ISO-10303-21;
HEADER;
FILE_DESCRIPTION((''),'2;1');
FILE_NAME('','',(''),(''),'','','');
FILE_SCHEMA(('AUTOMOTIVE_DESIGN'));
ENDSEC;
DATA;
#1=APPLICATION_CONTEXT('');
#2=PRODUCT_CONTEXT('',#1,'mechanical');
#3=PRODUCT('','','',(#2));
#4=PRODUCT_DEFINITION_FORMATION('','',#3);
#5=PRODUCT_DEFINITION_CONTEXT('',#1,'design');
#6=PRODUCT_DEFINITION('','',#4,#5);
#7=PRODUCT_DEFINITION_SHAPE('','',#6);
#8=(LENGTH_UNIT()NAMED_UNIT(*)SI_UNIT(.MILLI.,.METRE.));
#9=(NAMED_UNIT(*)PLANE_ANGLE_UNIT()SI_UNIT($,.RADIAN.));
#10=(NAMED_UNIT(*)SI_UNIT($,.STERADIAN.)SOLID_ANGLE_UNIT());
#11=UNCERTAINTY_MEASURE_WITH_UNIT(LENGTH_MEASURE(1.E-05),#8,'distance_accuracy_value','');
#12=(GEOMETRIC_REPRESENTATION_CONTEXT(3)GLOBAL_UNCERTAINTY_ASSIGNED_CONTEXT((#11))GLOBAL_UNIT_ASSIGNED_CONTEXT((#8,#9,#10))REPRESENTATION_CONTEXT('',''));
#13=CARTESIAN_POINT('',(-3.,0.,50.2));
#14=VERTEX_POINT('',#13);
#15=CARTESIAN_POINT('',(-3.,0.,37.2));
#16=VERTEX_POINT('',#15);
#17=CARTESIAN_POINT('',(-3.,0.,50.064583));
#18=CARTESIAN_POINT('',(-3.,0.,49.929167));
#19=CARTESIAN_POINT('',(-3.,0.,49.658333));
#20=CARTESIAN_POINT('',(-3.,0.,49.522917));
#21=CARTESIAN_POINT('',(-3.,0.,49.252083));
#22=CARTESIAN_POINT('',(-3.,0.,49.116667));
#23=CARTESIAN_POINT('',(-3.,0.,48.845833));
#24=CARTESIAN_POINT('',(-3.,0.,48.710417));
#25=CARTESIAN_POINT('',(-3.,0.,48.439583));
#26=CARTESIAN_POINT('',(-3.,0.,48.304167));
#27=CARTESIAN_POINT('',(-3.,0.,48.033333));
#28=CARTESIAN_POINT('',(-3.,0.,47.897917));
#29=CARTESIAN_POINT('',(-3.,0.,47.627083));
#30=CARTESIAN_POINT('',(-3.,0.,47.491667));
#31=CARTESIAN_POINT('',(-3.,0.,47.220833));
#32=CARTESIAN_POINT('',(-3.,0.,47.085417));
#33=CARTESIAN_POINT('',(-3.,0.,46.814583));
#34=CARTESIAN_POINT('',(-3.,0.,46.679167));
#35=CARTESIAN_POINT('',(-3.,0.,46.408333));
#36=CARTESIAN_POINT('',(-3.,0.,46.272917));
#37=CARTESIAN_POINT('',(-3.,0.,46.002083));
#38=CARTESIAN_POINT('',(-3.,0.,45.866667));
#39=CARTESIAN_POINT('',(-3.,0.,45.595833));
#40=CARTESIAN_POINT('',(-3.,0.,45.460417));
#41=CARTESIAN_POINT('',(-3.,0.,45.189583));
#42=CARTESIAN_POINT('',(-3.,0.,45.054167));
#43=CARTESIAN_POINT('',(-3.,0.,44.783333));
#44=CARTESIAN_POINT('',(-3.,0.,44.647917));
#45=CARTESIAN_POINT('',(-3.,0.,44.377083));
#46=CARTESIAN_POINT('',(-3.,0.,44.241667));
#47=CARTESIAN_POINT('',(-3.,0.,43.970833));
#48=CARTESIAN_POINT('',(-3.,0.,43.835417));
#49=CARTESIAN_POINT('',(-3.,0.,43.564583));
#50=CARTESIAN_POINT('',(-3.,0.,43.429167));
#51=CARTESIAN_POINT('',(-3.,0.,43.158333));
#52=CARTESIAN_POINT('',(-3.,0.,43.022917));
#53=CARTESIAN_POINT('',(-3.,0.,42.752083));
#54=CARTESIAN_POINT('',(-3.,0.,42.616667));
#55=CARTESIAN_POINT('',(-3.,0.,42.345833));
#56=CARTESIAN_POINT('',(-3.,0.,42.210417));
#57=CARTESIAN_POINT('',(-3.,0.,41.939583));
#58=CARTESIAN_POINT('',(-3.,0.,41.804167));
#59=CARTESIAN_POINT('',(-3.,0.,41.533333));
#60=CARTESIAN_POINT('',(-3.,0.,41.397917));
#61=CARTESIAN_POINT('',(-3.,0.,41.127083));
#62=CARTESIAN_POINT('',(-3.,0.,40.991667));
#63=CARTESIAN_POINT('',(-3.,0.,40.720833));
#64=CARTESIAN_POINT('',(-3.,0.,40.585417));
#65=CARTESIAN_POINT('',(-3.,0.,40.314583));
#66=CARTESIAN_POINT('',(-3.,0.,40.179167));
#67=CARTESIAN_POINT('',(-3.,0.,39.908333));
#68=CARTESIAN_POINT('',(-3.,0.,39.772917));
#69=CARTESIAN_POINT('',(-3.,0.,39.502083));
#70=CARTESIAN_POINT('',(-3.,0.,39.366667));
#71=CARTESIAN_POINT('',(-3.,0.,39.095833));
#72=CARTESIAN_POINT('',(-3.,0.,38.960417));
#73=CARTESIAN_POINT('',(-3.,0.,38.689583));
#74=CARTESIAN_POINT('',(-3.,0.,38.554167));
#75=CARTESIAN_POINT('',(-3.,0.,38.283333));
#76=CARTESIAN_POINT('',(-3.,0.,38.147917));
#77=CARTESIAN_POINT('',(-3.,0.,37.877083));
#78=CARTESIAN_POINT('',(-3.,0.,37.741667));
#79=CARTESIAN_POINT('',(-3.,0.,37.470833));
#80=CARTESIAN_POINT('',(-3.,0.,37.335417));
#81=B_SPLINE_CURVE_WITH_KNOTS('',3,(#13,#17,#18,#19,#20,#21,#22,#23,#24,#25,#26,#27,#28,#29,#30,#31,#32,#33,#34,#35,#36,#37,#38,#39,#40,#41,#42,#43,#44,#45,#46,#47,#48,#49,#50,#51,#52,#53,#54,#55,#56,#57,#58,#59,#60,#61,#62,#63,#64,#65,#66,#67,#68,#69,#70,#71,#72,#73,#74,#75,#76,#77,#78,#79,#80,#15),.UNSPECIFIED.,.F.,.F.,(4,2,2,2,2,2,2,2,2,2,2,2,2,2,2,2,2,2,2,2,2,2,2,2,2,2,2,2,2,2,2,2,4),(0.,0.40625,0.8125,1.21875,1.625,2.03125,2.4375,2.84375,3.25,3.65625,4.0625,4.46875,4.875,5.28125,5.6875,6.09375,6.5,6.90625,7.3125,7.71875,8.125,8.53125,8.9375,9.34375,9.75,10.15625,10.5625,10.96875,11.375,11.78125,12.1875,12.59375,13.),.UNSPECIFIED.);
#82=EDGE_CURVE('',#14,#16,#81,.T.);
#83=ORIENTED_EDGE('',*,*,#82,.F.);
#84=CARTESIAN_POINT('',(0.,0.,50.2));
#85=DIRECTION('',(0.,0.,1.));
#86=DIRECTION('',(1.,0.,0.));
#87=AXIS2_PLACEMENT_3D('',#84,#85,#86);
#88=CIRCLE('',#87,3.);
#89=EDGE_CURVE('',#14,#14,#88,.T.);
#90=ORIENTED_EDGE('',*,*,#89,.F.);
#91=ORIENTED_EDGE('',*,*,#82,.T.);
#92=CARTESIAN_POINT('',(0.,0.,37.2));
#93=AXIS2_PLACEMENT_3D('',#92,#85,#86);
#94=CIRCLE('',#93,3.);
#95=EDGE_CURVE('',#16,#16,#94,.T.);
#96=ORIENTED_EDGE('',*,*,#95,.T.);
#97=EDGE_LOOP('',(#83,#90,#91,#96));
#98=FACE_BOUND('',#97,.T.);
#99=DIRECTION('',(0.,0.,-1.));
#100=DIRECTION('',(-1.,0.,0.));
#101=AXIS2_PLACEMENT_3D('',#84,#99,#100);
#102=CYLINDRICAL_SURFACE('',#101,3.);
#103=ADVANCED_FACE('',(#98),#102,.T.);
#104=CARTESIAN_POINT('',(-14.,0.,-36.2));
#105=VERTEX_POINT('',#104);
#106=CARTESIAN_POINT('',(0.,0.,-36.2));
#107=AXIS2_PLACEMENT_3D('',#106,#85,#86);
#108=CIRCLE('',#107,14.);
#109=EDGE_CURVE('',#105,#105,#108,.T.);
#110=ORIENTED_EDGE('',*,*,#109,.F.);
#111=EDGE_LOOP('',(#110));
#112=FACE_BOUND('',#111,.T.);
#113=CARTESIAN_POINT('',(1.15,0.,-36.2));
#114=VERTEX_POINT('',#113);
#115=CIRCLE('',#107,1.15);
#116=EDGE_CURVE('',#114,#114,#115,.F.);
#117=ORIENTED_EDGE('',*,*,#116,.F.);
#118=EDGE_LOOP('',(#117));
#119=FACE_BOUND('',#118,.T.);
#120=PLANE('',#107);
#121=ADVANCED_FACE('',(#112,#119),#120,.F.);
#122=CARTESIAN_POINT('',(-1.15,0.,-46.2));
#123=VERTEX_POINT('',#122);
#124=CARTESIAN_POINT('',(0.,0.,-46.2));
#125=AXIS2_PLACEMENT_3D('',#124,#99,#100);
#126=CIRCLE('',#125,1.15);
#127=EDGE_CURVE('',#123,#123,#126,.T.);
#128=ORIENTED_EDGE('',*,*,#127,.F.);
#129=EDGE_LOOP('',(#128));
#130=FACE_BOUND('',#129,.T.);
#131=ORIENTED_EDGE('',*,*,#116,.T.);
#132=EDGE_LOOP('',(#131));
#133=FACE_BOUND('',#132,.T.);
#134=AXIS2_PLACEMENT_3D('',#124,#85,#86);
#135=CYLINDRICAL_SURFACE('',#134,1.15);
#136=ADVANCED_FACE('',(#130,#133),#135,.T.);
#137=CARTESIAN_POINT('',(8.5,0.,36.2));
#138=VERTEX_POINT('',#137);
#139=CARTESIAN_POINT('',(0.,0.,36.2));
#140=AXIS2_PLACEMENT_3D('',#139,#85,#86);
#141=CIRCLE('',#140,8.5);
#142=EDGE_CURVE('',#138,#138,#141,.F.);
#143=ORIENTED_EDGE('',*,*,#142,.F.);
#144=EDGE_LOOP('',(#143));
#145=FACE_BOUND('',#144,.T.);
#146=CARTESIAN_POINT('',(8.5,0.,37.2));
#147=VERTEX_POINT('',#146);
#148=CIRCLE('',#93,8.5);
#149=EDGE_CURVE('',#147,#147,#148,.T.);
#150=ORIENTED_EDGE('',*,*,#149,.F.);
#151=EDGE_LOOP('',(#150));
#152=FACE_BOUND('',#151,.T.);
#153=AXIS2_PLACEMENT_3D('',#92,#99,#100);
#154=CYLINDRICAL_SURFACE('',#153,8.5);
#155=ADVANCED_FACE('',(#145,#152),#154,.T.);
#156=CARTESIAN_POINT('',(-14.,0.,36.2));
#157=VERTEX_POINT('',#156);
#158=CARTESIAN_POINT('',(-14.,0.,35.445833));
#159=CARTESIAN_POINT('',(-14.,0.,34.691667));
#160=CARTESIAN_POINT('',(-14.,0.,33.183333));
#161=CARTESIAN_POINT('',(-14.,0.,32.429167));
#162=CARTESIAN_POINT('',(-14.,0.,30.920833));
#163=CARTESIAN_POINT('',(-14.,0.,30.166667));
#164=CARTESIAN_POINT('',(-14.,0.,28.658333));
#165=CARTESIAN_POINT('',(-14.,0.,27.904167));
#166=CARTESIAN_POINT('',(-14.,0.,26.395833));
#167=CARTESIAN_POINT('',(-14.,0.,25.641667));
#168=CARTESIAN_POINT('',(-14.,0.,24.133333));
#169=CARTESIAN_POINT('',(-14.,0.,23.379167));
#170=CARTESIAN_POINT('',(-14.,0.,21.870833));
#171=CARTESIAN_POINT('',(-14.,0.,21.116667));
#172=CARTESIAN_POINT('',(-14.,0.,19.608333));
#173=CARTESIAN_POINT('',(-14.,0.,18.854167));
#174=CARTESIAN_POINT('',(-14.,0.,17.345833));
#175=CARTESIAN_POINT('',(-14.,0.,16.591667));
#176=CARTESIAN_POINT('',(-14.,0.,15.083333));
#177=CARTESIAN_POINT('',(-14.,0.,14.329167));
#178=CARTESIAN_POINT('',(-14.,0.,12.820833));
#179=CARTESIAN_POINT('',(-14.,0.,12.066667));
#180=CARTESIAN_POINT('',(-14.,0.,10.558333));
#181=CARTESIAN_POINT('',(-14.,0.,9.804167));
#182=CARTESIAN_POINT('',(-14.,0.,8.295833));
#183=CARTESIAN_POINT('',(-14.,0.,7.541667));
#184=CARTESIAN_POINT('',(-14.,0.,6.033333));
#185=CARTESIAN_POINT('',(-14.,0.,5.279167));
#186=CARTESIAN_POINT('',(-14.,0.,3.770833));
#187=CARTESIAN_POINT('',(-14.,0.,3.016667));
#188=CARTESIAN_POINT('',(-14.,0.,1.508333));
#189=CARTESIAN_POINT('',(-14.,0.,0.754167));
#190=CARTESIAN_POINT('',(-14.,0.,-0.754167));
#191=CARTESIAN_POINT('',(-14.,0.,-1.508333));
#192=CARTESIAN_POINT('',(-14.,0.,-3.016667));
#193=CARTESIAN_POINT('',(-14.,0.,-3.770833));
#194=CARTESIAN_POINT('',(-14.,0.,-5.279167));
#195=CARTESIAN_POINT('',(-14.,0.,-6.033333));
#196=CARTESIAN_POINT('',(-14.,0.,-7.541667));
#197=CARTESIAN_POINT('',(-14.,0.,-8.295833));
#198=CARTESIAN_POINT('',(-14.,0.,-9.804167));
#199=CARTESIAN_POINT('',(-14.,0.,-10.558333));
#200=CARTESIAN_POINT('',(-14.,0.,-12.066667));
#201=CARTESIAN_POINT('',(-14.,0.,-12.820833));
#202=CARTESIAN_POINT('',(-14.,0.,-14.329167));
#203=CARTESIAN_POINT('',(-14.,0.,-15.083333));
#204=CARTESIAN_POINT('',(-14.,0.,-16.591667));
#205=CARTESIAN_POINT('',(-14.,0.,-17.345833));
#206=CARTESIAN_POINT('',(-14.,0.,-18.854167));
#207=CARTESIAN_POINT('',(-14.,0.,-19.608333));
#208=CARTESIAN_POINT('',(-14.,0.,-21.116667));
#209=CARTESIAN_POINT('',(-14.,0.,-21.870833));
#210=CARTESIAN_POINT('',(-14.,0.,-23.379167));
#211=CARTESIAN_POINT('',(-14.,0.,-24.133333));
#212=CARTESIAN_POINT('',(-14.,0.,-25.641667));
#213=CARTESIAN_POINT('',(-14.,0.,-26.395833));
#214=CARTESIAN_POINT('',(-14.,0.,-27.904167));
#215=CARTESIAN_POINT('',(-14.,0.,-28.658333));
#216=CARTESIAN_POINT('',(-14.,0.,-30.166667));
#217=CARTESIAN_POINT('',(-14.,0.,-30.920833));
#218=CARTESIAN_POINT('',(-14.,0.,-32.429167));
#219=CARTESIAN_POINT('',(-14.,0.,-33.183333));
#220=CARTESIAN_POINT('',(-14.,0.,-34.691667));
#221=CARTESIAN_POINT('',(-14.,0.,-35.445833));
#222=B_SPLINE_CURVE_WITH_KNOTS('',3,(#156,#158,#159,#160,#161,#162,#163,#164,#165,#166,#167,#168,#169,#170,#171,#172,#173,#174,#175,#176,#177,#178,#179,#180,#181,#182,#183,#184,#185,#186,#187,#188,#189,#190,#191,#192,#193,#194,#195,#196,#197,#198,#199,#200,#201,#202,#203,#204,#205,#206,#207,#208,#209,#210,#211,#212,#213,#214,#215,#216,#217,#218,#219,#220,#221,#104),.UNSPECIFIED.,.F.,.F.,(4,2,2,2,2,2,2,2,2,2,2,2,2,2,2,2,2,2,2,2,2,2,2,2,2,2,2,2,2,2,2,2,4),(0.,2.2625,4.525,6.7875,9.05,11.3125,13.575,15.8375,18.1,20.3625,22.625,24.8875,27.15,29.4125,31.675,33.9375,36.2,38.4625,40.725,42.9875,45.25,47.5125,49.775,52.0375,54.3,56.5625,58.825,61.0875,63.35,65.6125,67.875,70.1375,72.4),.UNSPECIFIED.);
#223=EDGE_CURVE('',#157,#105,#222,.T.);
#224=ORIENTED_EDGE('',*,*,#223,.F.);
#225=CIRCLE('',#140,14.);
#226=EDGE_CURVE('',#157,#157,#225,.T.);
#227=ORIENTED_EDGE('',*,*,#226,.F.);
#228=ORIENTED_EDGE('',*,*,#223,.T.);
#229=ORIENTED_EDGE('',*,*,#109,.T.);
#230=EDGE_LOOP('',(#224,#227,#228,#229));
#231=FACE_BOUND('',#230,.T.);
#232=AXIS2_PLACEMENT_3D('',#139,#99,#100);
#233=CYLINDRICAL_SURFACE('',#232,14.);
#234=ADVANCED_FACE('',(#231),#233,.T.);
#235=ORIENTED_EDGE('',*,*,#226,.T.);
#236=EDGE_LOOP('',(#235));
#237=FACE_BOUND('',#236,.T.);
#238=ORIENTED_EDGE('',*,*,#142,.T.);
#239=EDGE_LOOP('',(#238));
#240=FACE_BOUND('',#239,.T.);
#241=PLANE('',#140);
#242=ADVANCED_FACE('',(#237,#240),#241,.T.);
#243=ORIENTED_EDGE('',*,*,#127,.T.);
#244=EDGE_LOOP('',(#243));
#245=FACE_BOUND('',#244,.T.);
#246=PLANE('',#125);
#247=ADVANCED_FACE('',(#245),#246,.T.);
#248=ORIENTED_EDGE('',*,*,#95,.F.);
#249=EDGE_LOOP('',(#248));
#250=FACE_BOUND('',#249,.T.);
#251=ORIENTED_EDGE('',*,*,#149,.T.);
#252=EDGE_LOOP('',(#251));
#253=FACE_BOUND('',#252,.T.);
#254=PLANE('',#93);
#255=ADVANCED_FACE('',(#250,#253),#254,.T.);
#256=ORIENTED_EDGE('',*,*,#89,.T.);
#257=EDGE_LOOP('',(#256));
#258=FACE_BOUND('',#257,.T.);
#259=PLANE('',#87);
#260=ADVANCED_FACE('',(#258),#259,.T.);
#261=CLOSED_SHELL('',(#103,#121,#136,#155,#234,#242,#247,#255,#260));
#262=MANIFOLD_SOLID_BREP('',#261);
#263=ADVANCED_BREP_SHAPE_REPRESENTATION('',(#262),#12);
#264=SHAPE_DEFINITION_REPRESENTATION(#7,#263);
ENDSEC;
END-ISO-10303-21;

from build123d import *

# Parameters (mm, degrees)
SKETCH1_R           = 14
BOSS_EXTRUDE1_DEPTH = 36.2
SKETCH2_R           = 8.5
BOSS_EXTRUDE2_DEPTH = 1
SKETCH3_R           = 3
BOSS_EXTRUDE3_DEPTH = 13
SKETCH5_R           = 1.15
BOSS_EXTRUDE4_DEPTH = 10


with BuildPart() as part:
    # Sketch1 → Boss-Extrude1 (new, symmetric)
    with BuildSketch(Plane.XY):
        with Locations(Location((0, 0, 0), (0, 0, 180))):
            Circle(SKETCH1_R)
    extrude(amount=BOSS_EXTRUDE1_DEPTH, both=True)

    # Sketch2 → Boss-Extrude2 (add, symmetric)
    with BuildSketch(Plane.XY.offset(36.2)):
        Circle(SKETCH2_R)
    extrude(amount=BOSS_EXTRUDE2_DEPTH, both=True)

    # Sketch3 → Boss-Extrude3 (add)
    with BuildSketch(Plane.XY.offset(37.2)):
        with Locations(Location((0, 0, 0), (0, 0, 180))):
            Circle(SKETCH3_R)
    extrude(amount=BOSS_EXTRUDE3_DEPTH)

    # Sketch5 → Boss-Extrude4 (add)
    with BuildSketch(Plane(origin=(0, 0, -36.2), x_dir=(-1, 0, 0), z_dir=(0, 0, -1))):
        with Locations(Location((0, 0, 0), (0, 0, 180))):
            Circle(SKETCH5_R)
    extrude(amount=BOSS_EXTRUDE4_DEPTH)


solid = part.part
